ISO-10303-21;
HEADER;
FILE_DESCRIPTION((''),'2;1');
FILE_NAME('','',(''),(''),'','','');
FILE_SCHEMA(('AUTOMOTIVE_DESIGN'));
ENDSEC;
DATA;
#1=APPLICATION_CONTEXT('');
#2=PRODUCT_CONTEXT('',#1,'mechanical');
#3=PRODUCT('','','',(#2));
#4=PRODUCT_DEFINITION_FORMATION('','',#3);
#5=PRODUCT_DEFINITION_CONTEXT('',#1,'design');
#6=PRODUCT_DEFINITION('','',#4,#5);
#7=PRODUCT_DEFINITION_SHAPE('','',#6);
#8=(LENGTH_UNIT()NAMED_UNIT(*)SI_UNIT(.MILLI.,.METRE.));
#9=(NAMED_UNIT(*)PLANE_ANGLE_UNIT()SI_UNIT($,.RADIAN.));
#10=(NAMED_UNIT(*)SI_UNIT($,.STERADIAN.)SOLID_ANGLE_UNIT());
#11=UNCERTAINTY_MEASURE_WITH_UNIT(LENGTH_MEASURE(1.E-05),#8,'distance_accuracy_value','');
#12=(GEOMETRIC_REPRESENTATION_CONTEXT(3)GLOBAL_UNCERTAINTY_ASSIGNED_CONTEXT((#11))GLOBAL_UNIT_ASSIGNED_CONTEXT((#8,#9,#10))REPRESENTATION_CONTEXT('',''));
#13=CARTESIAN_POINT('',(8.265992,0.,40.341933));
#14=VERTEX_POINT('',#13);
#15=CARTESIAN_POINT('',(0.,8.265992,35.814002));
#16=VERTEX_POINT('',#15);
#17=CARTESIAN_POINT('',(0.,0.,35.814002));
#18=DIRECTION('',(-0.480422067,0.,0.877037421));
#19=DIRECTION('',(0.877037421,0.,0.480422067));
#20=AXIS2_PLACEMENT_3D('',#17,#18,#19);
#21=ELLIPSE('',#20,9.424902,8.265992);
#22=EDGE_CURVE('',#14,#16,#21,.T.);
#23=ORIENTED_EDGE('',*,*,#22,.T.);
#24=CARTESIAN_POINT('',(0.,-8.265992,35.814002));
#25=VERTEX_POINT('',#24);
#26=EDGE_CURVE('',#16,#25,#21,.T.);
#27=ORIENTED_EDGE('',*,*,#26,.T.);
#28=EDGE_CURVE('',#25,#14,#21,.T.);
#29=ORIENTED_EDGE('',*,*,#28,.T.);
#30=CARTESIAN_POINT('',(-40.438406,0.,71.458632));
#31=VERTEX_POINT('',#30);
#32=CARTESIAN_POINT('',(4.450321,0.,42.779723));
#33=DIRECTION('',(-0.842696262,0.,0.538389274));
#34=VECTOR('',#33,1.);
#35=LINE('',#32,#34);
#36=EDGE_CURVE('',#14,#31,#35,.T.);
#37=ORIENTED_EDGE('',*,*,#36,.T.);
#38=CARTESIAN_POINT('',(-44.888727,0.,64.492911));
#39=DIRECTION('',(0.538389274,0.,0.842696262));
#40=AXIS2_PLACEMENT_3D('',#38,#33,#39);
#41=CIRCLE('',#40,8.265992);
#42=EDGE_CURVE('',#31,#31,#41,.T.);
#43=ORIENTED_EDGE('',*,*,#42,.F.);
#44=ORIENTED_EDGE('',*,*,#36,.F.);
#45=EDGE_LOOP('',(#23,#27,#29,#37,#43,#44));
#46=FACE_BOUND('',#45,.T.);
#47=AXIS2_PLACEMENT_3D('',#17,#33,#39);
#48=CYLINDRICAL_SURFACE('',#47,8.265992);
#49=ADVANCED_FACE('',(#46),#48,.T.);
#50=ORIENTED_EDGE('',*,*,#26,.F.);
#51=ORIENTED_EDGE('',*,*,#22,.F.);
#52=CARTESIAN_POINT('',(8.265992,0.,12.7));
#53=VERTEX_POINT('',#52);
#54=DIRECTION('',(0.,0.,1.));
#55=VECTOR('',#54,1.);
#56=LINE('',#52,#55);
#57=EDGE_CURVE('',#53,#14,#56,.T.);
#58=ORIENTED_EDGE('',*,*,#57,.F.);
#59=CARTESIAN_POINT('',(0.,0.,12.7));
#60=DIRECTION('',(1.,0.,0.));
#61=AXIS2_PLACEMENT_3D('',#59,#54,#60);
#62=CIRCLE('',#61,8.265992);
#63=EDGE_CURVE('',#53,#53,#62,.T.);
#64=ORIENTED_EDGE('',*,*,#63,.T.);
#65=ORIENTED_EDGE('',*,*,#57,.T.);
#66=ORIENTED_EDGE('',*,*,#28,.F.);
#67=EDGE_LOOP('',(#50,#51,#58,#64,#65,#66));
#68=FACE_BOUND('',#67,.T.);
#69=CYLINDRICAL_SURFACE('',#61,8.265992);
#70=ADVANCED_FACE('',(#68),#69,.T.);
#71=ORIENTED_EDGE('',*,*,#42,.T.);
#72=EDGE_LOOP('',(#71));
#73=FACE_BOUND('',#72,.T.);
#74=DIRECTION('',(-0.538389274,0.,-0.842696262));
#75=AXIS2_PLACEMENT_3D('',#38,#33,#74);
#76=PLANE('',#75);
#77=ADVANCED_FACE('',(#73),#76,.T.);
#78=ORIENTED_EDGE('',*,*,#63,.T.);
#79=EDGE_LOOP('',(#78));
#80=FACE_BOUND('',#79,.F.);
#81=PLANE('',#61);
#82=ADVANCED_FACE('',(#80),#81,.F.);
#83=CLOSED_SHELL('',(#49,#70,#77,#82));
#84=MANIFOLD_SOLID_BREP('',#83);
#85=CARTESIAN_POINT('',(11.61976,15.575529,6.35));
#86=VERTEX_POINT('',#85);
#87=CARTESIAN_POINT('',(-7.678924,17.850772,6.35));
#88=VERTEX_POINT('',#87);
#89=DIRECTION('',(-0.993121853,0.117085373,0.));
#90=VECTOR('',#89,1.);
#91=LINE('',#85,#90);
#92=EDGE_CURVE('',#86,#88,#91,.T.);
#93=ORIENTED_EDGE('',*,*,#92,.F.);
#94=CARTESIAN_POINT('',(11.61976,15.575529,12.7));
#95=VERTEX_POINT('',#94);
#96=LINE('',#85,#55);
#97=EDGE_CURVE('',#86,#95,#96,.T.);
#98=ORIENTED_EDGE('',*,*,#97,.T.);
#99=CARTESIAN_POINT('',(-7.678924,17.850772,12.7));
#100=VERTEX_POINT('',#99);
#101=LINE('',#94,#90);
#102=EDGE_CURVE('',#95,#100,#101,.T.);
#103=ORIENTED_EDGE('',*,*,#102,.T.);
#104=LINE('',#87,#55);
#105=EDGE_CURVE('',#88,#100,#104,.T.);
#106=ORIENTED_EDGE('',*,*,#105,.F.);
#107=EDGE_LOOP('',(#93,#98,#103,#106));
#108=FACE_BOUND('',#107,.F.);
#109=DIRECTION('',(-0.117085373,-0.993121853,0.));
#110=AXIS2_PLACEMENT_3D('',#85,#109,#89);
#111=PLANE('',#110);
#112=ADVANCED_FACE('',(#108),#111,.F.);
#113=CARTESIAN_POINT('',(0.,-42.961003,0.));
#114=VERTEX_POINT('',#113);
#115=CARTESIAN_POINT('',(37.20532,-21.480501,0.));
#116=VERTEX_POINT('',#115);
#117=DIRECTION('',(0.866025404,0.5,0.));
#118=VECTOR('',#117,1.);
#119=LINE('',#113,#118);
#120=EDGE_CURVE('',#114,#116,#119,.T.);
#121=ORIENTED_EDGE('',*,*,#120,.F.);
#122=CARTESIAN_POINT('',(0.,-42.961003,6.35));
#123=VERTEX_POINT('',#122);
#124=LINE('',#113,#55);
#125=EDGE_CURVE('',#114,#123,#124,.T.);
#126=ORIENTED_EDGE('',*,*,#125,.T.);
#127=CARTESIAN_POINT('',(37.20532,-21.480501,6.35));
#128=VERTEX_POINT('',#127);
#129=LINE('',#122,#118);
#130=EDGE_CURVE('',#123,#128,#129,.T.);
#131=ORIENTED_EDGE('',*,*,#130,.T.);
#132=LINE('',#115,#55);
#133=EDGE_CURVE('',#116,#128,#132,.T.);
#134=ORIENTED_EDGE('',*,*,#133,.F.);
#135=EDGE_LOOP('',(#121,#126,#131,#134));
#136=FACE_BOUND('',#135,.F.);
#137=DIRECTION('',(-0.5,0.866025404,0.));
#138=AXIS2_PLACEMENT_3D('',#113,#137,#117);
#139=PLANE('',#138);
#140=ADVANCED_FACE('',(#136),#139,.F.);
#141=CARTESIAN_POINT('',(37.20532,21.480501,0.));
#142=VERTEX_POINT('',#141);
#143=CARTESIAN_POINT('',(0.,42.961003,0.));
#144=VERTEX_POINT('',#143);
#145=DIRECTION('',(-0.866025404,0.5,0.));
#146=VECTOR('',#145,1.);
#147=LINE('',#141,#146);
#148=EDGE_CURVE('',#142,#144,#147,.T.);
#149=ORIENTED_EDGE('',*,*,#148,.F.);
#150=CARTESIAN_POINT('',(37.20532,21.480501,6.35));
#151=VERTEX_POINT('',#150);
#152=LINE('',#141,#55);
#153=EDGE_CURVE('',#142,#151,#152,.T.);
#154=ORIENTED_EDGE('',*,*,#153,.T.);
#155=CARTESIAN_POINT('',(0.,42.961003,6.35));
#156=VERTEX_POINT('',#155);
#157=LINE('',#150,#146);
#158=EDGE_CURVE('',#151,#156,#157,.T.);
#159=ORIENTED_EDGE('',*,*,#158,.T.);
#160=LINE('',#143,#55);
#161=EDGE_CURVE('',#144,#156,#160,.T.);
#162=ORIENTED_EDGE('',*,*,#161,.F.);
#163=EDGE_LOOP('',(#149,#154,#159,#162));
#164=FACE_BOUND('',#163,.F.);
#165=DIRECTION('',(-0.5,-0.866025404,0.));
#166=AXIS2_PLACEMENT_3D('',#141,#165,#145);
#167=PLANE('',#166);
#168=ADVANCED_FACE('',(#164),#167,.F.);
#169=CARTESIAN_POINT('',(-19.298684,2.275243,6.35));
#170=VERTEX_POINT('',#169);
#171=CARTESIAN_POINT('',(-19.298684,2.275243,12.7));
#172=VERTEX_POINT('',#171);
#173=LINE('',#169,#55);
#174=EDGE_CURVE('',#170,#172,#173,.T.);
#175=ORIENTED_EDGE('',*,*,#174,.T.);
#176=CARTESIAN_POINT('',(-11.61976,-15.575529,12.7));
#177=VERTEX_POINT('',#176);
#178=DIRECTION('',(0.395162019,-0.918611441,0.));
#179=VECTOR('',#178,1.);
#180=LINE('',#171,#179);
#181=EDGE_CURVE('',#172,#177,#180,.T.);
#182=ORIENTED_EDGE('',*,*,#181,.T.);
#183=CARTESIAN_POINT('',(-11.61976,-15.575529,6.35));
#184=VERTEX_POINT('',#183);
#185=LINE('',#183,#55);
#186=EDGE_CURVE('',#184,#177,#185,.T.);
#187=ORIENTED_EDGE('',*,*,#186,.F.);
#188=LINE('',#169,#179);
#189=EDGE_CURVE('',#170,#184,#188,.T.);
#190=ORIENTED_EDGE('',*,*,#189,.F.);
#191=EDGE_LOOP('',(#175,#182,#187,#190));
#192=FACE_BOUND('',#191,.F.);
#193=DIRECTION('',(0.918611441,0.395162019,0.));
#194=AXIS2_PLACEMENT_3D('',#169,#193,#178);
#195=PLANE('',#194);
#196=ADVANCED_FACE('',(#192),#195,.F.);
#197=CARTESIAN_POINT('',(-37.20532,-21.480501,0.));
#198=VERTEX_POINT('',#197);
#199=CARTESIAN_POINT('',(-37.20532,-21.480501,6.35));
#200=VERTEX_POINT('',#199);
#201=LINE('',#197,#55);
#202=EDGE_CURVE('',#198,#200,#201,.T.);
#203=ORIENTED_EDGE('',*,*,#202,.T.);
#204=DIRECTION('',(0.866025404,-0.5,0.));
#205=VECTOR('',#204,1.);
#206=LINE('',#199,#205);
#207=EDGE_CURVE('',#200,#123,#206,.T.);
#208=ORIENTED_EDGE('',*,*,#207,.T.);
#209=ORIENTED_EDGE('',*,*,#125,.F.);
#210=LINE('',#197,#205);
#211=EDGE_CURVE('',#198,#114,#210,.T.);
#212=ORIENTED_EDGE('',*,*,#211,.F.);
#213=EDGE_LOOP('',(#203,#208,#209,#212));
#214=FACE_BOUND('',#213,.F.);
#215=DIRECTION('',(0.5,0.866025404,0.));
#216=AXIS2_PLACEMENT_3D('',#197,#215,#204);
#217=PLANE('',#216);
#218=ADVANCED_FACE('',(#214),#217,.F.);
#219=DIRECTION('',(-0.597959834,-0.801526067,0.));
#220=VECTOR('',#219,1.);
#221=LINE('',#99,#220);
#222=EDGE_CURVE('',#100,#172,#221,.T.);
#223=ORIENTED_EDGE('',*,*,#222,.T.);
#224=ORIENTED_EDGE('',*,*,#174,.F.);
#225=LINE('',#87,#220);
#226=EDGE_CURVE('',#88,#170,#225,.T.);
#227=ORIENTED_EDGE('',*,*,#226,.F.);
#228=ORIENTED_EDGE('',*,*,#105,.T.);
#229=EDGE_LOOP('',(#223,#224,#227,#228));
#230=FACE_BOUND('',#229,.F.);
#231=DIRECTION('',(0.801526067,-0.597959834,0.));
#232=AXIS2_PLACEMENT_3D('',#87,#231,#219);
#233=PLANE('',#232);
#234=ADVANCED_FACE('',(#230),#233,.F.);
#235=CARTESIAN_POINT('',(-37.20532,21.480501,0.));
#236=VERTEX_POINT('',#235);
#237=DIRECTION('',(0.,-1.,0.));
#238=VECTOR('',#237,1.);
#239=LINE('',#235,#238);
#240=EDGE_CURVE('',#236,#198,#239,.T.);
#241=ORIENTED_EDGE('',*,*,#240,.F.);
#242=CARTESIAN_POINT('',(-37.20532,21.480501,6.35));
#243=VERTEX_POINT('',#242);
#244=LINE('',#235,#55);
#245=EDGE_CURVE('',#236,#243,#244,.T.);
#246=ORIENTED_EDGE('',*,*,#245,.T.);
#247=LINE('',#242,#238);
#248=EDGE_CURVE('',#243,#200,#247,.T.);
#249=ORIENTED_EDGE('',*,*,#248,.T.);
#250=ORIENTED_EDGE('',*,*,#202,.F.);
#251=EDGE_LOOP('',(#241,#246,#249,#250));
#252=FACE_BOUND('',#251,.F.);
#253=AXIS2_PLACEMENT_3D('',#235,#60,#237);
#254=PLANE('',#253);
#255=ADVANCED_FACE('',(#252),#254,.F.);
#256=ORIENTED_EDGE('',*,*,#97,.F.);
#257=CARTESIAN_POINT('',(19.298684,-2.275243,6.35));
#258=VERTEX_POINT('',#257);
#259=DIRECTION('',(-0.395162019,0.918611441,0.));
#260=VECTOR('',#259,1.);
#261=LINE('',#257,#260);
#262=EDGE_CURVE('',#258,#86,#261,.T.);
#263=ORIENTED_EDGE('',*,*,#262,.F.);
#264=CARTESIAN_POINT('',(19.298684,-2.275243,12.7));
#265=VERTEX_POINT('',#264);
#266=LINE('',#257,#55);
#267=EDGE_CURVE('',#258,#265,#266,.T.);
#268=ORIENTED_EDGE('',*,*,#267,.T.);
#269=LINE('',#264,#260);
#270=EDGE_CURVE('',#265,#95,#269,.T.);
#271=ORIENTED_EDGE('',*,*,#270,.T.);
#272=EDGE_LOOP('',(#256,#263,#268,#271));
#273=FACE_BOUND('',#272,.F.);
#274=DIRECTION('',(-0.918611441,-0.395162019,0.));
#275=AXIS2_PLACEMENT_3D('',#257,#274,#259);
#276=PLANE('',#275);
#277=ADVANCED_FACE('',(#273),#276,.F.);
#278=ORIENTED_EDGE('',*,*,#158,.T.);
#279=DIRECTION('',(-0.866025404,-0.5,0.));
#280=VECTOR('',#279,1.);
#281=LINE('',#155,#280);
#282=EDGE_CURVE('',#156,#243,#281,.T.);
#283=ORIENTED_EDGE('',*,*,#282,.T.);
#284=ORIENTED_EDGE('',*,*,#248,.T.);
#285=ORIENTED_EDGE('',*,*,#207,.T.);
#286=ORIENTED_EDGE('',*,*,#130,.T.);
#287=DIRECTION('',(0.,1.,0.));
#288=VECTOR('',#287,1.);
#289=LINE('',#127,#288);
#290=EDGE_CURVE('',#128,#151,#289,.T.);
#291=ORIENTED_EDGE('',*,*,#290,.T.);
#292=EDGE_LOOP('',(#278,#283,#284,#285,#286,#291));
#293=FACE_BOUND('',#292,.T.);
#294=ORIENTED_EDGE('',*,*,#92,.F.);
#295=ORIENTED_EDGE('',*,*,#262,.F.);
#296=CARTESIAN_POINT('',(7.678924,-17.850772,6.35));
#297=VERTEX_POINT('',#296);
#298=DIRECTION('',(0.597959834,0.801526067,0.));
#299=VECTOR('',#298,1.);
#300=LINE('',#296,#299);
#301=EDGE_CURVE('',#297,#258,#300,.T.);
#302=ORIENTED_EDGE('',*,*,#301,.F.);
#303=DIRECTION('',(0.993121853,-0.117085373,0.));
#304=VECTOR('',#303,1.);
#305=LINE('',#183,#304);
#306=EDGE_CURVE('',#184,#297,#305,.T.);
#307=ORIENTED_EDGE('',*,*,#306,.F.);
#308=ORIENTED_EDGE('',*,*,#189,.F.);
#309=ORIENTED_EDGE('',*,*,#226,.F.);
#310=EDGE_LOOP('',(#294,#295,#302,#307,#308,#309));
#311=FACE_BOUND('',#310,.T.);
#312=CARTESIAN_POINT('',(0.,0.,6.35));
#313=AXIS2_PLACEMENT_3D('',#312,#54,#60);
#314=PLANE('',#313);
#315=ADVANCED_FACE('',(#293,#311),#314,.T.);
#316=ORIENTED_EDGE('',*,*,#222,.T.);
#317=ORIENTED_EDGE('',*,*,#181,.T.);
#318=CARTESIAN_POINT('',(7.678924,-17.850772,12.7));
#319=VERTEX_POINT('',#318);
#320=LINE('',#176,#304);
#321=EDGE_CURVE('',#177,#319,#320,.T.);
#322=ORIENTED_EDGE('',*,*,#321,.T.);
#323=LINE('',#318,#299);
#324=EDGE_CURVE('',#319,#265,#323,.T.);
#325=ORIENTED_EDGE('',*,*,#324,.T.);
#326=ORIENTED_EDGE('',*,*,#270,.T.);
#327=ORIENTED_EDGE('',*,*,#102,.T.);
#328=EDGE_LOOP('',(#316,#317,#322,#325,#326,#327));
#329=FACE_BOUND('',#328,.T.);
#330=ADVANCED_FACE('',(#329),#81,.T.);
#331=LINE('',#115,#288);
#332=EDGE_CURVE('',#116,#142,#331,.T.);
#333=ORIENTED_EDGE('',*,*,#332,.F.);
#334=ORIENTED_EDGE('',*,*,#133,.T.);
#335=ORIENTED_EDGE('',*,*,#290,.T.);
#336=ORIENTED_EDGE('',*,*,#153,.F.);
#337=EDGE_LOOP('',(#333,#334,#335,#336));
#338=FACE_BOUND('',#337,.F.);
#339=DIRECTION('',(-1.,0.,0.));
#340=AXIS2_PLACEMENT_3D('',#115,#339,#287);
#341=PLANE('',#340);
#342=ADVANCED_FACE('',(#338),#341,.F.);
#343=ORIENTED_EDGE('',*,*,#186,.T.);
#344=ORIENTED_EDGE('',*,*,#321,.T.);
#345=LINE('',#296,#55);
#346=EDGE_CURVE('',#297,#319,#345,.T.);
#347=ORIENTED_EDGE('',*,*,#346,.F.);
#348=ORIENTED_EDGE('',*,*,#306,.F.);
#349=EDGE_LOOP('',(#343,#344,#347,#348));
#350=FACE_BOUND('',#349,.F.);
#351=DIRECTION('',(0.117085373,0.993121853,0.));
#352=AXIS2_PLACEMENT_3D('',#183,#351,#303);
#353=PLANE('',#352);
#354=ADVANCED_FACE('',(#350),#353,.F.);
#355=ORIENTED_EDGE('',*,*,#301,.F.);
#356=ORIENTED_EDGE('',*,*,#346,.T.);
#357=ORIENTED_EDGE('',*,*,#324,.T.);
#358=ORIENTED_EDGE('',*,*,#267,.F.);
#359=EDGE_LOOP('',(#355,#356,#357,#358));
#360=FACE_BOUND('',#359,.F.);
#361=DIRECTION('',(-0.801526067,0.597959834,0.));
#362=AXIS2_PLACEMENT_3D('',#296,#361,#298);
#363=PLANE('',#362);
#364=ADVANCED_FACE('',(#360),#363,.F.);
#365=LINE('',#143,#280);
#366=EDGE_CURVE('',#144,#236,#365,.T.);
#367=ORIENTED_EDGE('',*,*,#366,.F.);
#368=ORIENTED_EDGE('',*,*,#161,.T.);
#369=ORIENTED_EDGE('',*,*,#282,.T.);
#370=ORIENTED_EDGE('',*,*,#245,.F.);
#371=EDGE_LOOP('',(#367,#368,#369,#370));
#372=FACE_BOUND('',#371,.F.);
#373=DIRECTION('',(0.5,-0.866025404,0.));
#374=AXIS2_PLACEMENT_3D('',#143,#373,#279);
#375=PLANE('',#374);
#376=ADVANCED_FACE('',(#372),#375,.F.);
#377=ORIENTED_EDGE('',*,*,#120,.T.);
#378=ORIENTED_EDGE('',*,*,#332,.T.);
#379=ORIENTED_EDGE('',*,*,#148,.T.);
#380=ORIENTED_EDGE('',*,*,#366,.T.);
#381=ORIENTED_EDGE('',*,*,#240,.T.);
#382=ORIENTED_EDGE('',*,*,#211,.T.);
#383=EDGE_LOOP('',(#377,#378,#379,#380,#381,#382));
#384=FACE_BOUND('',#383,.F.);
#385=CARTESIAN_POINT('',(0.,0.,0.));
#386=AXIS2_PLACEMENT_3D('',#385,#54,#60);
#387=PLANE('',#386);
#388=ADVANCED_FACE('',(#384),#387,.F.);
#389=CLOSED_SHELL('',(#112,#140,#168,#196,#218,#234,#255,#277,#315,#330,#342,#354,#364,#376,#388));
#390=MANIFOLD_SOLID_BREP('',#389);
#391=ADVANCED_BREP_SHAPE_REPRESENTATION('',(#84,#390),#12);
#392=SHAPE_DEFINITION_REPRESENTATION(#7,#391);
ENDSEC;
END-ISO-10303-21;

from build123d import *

# Parameters (mm, degrees)
F1_DEPTH = 6.35
F3_DEPTH = 6.35
F5_R     = 8.265991875


with BuildPart() as f1:
    # F0 (on Top) → F1 (new body)
    with BuildSketch(Plane.XY):
        Polygon((37.2053198516, -21.4805014316), (37.2053198516, 21.4805014316), (0, 42.9610028633), (-37.2053198516, 21.4805014316), (-37.2053198516, -21.4805014316), (0, -42.9610028633), align=None)
    extrude(amount=F1_DEPTH)

    # F2 (on face) → F3 (join)
    with BuildSketch(Plane.XY.offset(6.35)):
        Polygon((19.298683545, -2.2752430233), (11.6197600305, 15.5755286979), (-7.6789235145, 17.8507717212), (-19.298683545, 2.2752430233), (-11.6197600305, -15.5755286979), (7.6789235145, -17.8507717212), align=None)
    extrude(amount=F3_DEPTH)


with BuildPart() as f6:
    # F6: sweep along a path in F4
    with BuildLine(Plane.XZ) as f6_path:
        Line((0, 12.7), (0, 35.8140021563))
        Line((0, 35.8140021563), (-44.8887273669, 64.4929111004))
    # F5 (on face) → F6 (sweep)
    with BuildSketch(Plane.XY.offset(12.7)):
        Circle(F5_R)
    sweep(path=f6_path.line, transition=Transition.RIGHT)


solid = Compound([f1.part, f6.part])
